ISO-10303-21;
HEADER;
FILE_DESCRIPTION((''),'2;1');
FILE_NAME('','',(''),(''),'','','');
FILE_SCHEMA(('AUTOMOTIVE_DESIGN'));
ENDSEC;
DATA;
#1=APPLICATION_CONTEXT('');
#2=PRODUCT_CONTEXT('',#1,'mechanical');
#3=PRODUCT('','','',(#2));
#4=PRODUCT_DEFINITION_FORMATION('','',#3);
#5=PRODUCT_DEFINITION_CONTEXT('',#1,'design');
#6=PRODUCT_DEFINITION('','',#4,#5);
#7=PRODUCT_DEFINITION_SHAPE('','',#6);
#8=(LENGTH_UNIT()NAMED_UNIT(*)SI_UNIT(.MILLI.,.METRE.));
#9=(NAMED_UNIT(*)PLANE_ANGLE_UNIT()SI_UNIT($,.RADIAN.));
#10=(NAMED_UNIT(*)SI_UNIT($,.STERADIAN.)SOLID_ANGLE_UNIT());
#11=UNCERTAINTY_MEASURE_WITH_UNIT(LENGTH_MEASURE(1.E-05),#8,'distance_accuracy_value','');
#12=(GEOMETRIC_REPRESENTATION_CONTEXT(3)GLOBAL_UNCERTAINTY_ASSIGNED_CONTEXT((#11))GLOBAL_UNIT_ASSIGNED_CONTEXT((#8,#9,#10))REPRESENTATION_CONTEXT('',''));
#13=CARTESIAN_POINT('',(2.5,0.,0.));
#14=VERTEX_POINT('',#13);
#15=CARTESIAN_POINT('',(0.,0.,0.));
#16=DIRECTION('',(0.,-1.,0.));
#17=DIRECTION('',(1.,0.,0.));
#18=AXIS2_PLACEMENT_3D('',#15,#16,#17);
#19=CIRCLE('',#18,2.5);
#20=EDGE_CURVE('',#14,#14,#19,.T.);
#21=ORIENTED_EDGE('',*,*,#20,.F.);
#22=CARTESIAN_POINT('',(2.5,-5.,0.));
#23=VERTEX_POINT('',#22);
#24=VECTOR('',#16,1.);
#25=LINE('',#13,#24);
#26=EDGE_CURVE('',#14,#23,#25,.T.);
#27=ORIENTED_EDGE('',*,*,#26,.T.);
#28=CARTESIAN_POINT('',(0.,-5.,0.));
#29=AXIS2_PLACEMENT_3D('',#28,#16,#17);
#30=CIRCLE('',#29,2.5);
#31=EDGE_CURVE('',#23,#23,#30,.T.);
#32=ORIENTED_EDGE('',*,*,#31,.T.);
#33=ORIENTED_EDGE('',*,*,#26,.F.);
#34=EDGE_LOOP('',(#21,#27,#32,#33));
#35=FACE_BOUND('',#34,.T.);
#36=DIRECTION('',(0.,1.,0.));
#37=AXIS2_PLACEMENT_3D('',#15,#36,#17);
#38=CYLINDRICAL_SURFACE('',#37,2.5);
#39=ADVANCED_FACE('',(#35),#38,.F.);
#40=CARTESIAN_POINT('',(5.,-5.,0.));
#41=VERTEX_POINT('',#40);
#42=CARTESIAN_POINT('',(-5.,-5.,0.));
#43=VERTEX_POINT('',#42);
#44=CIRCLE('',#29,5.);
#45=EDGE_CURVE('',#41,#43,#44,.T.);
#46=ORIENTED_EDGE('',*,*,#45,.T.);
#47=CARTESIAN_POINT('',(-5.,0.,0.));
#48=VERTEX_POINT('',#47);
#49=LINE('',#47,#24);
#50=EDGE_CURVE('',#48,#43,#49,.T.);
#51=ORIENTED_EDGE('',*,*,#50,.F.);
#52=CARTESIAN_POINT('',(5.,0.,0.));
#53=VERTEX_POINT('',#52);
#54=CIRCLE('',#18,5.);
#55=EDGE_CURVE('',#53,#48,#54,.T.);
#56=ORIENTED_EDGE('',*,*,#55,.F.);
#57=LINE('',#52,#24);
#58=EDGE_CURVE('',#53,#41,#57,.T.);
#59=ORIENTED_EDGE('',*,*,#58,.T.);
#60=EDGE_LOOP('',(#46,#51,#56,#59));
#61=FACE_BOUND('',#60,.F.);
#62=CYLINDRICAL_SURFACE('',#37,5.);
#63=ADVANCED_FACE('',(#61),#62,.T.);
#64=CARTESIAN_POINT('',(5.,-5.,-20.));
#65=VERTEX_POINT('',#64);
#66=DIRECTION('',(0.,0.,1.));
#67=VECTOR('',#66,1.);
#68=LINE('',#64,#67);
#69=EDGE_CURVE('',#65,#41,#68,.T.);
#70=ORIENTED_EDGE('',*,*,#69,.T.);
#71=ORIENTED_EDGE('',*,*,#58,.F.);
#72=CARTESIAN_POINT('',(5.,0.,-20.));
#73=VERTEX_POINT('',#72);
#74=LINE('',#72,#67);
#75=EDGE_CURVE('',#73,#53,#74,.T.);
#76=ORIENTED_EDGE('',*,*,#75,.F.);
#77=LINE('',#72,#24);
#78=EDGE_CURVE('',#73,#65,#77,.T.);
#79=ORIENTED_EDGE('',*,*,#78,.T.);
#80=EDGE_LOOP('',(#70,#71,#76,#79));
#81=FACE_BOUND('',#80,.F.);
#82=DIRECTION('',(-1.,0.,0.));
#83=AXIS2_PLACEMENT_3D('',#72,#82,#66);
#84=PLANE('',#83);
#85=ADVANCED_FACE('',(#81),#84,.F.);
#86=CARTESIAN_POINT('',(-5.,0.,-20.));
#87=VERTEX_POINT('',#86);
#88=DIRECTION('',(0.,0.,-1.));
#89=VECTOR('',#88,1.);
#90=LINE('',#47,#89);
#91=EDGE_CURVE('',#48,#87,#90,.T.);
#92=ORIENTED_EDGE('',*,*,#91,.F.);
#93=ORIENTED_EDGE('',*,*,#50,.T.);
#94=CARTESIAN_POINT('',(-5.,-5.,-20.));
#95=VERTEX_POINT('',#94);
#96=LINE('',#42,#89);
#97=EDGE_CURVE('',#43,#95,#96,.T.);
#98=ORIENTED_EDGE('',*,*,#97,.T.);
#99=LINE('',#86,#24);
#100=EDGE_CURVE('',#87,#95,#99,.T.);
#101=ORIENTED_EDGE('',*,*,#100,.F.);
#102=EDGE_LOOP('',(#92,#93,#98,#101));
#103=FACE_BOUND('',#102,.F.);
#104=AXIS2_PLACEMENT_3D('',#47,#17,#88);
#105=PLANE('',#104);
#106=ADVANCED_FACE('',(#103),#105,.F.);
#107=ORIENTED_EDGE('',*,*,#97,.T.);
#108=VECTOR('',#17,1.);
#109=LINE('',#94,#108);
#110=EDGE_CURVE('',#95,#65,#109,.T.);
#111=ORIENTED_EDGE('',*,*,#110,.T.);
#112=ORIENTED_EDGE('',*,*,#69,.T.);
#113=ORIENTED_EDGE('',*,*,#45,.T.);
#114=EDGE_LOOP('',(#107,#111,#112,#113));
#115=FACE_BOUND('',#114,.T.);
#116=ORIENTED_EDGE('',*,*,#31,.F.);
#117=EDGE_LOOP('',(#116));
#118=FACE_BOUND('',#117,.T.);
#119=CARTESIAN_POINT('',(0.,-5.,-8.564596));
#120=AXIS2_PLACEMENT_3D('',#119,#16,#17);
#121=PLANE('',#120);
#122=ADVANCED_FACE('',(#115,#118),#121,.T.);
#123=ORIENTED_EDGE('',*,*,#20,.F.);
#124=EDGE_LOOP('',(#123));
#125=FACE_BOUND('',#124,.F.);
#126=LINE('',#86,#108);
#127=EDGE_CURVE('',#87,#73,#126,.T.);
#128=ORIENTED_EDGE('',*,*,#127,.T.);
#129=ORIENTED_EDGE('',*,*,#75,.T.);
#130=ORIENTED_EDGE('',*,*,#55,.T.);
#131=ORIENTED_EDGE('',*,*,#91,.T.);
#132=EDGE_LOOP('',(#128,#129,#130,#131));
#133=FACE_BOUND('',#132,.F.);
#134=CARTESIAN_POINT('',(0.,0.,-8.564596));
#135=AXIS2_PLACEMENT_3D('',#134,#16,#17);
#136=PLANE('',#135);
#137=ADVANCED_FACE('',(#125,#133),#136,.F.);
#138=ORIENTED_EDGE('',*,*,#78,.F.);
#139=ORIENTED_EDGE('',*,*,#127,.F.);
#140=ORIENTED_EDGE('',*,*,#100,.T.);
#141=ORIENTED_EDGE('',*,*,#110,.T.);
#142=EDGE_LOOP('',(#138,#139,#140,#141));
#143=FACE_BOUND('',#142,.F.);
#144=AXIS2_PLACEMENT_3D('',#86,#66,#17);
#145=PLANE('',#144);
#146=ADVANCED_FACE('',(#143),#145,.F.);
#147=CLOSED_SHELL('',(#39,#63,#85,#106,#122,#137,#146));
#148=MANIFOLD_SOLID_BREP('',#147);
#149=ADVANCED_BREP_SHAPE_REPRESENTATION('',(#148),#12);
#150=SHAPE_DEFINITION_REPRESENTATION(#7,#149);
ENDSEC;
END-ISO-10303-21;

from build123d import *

# Parameters (mm, degrees)
F0_R     = 2.5
F1_DEPTH = 5


with BuildPart() as f1:
    # F0 (on Front) → F1 (new body)
    with BuildSketch(Plane.XZ):
        with BuildLine():
            Line((-5, 0), (-5, -20))
            Line((-5, -20), (5, -20))
            Line((5, -20), (5, 0))
            ThreePointArc((5, 0), (0, 5), (-5, 0))
        make_face()
        Circle(F0_R, mode=Mode.SUBTRACT)
    extrude(amount=F1_DEPTH)


solid = f1.part
